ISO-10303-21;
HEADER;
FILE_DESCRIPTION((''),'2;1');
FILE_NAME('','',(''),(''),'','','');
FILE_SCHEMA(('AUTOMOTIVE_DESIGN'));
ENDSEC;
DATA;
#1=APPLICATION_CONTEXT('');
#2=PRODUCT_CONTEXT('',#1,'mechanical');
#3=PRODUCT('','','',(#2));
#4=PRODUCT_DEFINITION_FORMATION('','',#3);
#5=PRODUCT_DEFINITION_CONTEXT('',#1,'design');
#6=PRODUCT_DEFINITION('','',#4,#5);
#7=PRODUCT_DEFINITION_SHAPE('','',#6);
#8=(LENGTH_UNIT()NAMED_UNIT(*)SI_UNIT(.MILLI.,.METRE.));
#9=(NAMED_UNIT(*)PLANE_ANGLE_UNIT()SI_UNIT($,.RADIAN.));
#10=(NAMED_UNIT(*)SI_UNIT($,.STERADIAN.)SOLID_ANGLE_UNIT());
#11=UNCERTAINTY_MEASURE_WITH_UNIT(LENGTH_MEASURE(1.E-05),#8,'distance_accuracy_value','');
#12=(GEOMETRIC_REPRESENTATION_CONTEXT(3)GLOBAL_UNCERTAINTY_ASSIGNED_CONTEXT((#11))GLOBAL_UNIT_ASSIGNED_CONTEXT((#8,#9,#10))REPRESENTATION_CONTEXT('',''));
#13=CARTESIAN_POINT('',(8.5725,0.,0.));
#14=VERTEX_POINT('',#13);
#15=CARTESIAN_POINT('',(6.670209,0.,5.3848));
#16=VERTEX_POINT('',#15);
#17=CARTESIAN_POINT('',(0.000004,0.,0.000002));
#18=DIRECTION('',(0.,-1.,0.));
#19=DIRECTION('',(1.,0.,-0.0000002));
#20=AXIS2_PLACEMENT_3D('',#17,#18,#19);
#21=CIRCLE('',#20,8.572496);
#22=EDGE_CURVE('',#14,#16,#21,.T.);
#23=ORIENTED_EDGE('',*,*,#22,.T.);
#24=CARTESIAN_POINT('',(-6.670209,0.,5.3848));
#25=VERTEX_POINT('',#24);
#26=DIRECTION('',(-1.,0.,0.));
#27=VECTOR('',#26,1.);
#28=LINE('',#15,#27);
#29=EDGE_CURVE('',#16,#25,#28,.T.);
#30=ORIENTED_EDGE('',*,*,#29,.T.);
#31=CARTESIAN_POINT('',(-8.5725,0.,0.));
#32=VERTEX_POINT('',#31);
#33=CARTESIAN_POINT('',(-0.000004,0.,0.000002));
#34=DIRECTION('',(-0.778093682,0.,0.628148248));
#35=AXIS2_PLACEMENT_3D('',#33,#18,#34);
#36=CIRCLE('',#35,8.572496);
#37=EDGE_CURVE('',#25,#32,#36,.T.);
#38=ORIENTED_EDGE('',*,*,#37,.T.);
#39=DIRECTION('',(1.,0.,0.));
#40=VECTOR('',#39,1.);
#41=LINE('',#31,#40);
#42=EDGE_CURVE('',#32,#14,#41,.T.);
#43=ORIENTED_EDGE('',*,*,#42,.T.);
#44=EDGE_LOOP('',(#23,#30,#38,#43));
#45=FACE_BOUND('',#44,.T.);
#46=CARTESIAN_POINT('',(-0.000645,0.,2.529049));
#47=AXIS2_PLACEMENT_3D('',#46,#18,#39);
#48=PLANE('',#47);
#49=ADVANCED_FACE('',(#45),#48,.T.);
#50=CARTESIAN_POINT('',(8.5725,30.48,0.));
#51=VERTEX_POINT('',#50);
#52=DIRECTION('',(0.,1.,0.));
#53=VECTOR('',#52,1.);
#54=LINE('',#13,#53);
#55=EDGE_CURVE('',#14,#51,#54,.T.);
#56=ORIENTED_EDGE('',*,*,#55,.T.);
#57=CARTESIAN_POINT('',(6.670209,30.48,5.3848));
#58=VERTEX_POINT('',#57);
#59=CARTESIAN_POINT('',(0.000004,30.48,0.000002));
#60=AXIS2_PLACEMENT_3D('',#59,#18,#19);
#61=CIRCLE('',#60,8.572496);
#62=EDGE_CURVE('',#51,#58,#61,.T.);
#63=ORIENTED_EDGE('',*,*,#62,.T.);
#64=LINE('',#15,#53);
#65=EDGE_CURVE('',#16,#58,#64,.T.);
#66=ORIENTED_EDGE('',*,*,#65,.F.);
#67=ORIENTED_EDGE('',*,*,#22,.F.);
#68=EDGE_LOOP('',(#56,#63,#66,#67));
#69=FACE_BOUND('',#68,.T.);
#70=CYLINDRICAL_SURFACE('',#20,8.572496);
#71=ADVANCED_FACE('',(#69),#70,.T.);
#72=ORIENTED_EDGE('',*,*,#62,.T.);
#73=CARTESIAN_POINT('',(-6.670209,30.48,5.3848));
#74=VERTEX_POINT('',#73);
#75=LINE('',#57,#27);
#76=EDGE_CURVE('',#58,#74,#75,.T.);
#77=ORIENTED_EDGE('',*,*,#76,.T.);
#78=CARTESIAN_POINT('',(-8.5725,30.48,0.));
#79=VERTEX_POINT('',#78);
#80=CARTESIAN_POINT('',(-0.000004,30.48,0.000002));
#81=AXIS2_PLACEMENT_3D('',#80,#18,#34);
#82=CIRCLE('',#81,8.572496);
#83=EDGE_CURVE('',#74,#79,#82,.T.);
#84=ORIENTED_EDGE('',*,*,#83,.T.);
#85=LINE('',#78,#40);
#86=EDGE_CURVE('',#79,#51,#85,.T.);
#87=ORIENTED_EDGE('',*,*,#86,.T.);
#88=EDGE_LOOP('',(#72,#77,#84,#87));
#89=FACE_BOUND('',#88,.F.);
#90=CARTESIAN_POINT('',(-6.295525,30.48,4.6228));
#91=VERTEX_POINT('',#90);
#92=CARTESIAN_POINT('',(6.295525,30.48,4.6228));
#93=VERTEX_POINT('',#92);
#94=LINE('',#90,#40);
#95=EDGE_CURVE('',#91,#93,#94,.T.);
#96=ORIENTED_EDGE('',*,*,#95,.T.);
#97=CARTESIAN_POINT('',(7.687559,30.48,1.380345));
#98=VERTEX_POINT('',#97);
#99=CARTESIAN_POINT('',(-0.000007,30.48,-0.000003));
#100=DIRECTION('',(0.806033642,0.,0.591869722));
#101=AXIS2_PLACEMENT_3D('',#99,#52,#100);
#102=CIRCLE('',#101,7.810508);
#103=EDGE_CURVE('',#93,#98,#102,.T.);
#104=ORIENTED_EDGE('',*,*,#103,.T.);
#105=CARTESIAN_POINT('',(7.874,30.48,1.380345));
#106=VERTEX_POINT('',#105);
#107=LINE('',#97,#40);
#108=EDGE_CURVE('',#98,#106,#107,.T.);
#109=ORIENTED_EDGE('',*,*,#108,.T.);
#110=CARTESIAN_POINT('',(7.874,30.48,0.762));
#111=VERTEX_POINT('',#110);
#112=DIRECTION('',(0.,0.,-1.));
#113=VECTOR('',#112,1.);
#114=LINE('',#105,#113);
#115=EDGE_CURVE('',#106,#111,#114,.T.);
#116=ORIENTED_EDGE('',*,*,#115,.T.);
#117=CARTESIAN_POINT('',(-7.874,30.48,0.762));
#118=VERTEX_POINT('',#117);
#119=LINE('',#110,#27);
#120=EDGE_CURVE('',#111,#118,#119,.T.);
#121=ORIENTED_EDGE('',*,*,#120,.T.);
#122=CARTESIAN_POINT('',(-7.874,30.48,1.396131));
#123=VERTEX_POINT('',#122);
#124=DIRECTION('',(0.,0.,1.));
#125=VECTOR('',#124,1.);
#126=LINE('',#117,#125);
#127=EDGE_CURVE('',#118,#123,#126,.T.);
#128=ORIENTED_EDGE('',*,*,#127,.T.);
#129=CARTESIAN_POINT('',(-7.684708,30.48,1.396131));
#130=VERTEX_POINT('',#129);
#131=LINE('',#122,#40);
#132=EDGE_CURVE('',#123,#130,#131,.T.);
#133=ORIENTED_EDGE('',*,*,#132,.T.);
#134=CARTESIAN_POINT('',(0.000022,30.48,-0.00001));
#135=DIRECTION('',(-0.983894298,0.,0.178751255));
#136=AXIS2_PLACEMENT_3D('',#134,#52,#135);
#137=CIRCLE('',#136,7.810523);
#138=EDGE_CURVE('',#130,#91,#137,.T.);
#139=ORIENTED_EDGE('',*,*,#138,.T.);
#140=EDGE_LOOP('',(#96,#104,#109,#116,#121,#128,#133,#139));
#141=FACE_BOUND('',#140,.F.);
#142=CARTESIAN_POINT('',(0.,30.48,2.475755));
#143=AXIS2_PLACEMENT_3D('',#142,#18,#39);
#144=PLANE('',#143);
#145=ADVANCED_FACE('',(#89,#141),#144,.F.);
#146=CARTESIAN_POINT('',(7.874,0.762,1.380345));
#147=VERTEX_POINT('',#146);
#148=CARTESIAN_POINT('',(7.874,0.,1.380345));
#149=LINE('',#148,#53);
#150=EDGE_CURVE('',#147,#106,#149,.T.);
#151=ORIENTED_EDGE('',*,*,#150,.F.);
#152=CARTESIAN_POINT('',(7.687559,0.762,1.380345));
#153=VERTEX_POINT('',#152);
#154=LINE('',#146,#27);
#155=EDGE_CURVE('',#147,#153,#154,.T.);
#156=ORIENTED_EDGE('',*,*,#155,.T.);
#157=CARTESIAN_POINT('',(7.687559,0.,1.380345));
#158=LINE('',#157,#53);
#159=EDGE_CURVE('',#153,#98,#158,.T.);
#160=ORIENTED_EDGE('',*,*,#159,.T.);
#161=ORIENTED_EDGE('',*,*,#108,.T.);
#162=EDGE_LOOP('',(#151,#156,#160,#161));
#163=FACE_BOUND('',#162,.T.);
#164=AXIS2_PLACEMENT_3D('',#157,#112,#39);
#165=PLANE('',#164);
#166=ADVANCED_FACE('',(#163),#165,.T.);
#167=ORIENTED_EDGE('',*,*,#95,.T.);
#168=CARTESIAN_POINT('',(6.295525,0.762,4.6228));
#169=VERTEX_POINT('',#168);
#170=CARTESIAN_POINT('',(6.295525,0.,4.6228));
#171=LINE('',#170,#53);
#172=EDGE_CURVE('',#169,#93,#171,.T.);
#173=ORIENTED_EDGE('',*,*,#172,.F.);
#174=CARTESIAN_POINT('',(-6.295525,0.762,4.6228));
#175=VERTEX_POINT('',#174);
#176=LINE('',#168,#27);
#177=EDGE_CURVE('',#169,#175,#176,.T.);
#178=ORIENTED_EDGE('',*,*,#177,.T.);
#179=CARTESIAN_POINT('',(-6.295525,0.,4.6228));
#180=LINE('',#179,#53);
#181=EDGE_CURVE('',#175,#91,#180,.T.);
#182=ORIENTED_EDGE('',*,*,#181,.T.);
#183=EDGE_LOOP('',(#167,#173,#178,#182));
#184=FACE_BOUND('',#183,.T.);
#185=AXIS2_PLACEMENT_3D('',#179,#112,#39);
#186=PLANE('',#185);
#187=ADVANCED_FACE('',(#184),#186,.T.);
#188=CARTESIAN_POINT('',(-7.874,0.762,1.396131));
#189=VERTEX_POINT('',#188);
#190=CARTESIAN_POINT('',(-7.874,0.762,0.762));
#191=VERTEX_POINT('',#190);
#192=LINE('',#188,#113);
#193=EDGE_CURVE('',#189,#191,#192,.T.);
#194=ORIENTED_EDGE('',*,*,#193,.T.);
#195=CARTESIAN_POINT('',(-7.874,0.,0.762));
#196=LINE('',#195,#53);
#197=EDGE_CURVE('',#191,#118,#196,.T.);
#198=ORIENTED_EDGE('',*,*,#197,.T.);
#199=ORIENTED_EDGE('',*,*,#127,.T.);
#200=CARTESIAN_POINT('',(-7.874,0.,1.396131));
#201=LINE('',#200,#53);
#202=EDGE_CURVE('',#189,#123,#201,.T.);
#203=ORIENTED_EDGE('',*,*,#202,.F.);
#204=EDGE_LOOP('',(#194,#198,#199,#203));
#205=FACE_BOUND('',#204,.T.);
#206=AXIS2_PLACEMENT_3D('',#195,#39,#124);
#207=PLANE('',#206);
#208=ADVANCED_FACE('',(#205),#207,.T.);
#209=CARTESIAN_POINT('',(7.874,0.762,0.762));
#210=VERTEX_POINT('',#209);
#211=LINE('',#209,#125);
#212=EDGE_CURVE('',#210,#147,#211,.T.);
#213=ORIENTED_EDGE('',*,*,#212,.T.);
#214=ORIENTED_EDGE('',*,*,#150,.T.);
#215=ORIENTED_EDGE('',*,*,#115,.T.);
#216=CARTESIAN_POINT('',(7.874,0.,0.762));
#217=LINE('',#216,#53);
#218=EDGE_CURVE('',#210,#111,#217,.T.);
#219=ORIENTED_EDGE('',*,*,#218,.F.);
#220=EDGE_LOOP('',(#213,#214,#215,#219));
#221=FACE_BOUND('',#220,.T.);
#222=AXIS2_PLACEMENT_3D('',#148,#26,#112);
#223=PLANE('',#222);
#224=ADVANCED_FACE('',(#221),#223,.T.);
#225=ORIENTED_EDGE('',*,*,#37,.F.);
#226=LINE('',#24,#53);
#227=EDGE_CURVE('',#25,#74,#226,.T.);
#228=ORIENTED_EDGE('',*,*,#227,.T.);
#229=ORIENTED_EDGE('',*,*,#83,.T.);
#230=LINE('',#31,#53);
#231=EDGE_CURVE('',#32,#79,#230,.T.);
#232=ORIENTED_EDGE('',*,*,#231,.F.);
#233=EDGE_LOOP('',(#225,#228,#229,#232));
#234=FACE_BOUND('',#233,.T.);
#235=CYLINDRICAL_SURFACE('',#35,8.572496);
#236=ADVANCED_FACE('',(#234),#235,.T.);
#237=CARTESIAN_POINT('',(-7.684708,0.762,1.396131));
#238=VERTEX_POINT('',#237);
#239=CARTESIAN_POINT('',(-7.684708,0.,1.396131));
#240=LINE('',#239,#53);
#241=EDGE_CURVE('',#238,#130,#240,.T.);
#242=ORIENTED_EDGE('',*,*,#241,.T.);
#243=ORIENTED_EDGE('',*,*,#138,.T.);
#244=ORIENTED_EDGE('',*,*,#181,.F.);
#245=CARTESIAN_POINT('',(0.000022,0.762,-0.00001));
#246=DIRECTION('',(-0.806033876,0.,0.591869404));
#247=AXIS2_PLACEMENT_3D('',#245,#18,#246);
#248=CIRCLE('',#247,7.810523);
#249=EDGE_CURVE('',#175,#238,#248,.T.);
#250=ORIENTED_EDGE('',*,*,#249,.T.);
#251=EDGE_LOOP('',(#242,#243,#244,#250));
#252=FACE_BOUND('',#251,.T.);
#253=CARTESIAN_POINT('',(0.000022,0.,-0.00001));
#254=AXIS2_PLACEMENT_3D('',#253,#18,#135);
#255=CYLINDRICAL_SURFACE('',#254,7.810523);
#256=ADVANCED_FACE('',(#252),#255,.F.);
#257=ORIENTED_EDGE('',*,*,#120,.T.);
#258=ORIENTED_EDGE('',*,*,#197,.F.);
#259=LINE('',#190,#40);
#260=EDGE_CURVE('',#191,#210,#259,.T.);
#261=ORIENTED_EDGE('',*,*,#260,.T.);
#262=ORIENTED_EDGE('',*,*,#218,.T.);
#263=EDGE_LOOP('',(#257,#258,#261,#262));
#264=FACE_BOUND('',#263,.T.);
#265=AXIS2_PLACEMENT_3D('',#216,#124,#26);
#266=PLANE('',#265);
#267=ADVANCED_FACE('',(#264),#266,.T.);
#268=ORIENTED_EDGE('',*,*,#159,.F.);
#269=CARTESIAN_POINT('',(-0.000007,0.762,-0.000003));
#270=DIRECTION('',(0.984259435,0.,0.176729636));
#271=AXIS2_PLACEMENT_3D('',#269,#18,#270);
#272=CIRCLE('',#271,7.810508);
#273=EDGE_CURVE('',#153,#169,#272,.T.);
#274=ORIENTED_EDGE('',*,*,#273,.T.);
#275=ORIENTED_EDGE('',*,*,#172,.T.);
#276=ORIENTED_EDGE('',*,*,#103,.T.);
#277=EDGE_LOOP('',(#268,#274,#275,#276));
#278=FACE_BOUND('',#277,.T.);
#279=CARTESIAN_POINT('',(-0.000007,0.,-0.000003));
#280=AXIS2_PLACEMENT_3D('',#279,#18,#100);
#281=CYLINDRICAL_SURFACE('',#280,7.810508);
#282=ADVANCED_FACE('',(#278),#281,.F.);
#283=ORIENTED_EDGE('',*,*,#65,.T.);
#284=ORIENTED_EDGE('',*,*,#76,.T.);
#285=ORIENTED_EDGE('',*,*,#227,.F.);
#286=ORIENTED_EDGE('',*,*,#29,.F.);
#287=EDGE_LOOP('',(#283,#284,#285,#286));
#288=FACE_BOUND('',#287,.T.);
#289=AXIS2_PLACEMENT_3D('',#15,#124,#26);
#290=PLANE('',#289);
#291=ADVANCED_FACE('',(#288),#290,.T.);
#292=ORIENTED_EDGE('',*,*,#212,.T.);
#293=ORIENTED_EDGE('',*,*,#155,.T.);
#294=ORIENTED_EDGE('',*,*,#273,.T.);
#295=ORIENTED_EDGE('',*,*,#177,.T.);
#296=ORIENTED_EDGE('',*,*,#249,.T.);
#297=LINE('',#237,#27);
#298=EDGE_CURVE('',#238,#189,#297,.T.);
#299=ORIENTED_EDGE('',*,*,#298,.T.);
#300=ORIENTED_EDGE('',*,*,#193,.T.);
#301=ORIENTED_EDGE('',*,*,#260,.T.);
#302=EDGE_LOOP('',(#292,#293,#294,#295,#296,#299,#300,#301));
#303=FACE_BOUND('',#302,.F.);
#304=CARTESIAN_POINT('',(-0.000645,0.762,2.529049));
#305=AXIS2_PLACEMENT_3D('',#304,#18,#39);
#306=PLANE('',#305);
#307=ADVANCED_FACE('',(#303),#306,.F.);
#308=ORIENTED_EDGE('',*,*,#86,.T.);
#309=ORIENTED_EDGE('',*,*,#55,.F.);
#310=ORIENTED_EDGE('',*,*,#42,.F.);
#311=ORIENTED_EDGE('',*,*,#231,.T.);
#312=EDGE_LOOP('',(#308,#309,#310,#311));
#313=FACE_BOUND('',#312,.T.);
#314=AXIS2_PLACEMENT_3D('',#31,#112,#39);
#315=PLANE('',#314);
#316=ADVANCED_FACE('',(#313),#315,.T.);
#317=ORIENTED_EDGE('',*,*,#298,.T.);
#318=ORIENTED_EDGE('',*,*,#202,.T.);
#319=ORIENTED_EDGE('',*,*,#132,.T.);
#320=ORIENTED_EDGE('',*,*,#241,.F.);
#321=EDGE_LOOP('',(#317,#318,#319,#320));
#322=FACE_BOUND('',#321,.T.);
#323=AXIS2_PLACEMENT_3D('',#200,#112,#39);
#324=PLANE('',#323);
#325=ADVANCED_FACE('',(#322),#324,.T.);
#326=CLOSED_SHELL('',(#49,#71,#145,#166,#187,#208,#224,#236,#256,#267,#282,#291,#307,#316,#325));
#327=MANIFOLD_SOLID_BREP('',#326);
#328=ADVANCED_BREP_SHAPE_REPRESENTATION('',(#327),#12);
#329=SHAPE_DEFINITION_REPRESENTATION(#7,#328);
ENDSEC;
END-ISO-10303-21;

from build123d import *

# Parameters (mm, degrees)
F1_DEPTH = 30.48
F3_DEPTH = 0.762


with BuildPart() as f1:
    # F0 (on Front) → F1 (new body)
    with BuildSketch(Plane.XZ):
        with BuildLine():
            Line((-8.5725, 0), (8.5725, 0))
            ThreePointArc((8.5725, 0), (8.082949, 2.855468), (6.670209, 5.3848))
            Line((6.670209, 5.3848), (-6.670209, 5.3848))
            ThreePointArc((-6.670209, 5.3848), (-8.082949, 2.855468), (-8.5725, 0))
        make_face()
        with BuildLine():
            ThreePointArc((-7.684708, 1.396131), (-7.173881, 3.088582), (-6.295525, 4.6228))
            Line((-6.295525, 4.6228), (6.295525, 4.6228))
            ThreePointArc((6.295525, 4.6228), (7.177049, 3.081214), (7.687559, 1.380345))
            Line((7.687559, 1.380345), (7.874, 1.380345))
            Line((7.874, 1.380345), (7.874, 0.762))
            Line((7.874, 0.762), (7.77324, 0.762))
            Line((7.77324, 0.762), (-7.77324, 0.762))
            Line((-7.77324, 0.762), (-7.874, 0.762))
            Line((-7.874, 0.762), (-7.874, 1.396131))
            Line((-7.874, 1.396131), (-7.684708, 1.396131))
        make_face(mode=Mode.SUBTRACT)
    extrude(amount=-F1_DEPTH)

    # F2 (on face) → F3 (join)
    with BuildSketch(Plane.XZ):
        with BuildLine():
            ThreePointArc((-6.295525, 4.6228), (-7.173881, 3.088582), (-7.684708, 1.396131))
            Line((-7.684708, 1.396131), (-7.874, 1.396131))
            Line((-7.874, 1.396131), (-7.874, 0.762))
            Line((-7.874, 0.762), (7.874, 0.762))
            Line((7.874, 0.762), (7.874, 1.380345))
            Line((7.874, 1.380345), (7.687559, 1.380345))
            ThreePointArc((7.687559, 1.380345), (7.177049, 3.081214), (6.295525, 4.6228))
            Line((6.295525, 4.6228), (-6.295525, 4.6228))
        make_face()
    extrude(amount=-F3_DEPTH)


solid = f1.part
